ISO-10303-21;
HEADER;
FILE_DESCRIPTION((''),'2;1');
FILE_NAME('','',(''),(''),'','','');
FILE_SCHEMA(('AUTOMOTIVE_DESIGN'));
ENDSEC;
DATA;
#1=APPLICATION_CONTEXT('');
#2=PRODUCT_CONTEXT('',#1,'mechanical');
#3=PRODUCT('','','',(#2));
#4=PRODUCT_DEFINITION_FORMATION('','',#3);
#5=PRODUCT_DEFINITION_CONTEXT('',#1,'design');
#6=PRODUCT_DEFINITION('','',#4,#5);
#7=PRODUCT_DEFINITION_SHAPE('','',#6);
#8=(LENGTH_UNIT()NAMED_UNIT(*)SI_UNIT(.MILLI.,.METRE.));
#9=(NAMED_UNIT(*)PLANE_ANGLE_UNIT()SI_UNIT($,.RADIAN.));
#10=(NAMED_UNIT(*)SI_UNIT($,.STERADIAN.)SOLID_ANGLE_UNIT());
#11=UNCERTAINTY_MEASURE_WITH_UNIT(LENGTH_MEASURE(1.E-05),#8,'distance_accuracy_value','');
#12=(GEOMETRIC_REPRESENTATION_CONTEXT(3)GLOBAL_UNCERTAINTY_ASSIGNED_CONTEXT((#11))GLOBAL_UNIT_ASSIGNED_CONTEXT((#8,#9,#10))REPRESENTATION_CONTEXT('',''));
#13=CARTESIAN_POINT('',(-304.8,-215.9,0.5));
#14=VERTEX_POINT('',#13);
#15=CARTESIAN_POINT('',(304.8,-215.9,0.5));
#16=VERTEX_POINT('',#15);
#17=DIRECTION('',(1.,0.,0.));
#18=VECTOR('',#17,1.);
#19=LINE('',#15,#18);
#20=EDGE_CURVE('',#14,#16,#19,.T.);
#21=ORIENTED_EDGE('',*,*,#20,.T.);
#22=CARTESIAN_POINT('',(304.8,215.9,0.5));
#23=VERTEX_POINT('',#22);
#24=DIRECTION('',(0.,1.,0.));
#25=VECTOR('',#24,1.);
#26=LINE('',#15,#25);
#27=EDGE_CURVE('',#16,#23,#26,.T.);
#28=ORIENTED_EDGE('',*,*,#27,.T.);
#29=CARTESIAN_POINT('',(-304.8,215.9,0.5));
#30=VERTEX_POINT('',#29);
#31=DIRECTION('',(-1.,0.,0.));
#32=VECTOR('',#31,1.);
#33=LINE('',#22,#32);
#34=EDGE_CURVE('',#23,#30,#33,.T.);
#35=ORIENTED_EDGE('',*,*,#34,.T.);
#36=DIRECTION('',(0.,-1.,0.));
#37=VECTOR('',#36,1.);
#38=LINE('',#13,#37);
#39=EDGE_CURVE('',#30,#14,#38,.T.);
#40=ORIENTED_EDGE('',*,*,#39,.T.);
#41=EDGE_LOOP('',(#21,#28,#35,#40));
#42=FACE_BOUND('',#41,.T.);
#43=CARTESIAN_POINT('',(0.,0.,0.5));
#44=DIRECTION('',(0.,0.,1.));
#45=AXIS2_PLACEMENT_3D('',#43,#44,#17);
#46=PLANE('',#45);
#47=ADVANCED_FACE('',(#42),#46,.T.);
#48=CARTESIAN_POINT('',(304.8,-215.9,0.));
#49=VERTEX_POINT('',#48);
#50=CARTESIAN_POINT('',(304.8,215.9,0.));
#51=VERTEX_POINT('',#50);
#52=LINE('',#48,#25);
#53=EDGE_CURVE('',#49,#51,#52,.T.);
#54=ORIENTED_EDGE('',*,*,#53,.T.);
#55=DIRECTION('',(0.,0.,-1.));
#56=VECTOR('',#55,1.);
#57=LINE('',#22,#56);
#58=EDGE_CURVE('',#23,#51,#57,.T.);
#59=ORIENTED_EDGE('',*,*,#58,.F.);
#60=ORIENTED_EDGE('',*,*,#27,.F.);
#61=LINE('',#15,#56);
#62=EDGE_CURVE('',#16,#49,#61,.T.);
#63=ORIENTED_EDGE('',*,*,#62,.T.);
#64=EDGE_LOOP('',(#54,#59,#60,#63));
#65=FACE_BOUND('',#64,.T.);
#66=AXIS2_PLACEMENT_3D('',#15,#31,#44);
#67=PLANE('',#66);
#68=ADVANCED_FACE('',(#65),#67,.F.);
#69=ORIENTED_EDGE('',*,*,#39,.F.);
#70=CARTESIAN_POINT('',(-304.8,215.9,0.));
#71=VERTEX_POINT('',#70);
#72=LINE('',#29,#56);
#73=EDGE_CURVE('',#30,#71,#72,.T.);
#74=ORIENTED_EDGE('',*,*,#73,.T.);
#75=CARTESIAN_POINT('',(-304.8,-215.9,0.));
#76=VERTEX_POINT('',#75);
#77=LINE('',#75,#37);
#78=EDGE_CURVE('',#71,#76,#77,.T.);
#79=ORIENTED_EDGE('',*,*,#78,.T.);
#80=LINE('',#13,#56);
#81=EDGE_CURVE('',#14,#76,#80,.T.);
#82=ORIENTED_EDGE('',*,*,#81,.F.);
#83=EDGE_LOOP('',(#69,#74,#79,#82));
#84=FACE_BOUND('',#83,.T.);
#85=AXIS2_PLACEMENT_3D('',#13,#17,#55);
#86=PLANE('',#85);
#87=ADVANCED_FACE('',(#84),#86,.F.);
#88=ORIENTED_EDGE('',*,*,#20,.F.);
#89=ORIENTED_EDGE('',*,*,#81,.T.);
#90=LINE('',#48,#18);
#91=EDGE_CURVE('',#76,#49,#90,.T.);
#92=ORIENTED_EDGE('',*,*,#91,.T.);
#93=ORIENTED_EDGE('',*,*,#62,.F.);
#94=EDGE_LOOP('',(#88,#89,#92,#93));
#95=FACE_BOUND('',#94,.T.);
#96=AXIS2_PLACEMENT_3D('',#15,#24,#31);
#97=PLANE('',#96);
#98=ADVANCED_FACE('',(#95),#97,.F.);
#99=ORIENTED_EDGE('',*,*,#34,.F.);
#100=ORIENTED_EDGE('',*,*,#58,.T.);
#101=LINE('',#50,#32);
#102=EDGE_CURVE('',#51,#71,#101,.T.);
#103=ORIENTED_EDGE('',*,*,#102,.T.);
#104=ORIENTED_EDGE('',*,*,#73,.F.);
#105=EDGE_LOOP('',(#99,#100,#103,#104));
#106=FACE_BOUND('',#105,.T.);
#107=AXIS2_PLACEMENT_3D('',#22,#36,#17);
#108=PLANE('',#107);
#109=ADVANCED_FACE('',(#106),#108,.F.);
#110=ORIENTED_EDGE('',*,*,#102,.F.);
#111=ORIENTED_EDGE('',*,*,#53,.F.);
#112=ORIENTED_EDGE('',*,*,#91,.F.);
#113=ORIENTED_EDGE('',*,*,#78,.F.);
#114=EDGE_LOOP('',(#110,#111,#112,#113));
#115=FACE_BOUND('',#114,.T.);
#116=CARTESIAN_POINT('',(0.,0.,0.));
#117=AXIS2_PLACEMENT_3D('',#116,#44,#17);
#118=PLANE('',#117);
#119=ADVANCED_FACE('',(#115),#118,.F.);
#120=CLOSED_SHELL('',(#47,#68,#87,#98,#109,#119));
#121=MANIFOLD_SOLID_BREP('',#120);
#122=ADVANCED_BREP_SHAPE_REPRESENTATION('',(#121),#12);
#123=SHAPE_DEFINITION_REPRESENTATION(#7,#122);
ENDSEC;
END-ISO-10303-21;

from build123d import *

# Parameters (mm, degrees)
SKETCH1_W           = 609.6
SKETCH1_H           = 431.8
BOSS_EXTRUDE1_DEPTH = 0.5


with BuildPart() as part:
    # Sketch1 → Boss-Extrude1 (new body)
    with BuildSketch(Plane.XY):
        Rectangle(SKETCH1_W, SKETCH1_H)
    extrude(amount=BOSS_EXTRUDE1_DEPTH)


solid = part.part
